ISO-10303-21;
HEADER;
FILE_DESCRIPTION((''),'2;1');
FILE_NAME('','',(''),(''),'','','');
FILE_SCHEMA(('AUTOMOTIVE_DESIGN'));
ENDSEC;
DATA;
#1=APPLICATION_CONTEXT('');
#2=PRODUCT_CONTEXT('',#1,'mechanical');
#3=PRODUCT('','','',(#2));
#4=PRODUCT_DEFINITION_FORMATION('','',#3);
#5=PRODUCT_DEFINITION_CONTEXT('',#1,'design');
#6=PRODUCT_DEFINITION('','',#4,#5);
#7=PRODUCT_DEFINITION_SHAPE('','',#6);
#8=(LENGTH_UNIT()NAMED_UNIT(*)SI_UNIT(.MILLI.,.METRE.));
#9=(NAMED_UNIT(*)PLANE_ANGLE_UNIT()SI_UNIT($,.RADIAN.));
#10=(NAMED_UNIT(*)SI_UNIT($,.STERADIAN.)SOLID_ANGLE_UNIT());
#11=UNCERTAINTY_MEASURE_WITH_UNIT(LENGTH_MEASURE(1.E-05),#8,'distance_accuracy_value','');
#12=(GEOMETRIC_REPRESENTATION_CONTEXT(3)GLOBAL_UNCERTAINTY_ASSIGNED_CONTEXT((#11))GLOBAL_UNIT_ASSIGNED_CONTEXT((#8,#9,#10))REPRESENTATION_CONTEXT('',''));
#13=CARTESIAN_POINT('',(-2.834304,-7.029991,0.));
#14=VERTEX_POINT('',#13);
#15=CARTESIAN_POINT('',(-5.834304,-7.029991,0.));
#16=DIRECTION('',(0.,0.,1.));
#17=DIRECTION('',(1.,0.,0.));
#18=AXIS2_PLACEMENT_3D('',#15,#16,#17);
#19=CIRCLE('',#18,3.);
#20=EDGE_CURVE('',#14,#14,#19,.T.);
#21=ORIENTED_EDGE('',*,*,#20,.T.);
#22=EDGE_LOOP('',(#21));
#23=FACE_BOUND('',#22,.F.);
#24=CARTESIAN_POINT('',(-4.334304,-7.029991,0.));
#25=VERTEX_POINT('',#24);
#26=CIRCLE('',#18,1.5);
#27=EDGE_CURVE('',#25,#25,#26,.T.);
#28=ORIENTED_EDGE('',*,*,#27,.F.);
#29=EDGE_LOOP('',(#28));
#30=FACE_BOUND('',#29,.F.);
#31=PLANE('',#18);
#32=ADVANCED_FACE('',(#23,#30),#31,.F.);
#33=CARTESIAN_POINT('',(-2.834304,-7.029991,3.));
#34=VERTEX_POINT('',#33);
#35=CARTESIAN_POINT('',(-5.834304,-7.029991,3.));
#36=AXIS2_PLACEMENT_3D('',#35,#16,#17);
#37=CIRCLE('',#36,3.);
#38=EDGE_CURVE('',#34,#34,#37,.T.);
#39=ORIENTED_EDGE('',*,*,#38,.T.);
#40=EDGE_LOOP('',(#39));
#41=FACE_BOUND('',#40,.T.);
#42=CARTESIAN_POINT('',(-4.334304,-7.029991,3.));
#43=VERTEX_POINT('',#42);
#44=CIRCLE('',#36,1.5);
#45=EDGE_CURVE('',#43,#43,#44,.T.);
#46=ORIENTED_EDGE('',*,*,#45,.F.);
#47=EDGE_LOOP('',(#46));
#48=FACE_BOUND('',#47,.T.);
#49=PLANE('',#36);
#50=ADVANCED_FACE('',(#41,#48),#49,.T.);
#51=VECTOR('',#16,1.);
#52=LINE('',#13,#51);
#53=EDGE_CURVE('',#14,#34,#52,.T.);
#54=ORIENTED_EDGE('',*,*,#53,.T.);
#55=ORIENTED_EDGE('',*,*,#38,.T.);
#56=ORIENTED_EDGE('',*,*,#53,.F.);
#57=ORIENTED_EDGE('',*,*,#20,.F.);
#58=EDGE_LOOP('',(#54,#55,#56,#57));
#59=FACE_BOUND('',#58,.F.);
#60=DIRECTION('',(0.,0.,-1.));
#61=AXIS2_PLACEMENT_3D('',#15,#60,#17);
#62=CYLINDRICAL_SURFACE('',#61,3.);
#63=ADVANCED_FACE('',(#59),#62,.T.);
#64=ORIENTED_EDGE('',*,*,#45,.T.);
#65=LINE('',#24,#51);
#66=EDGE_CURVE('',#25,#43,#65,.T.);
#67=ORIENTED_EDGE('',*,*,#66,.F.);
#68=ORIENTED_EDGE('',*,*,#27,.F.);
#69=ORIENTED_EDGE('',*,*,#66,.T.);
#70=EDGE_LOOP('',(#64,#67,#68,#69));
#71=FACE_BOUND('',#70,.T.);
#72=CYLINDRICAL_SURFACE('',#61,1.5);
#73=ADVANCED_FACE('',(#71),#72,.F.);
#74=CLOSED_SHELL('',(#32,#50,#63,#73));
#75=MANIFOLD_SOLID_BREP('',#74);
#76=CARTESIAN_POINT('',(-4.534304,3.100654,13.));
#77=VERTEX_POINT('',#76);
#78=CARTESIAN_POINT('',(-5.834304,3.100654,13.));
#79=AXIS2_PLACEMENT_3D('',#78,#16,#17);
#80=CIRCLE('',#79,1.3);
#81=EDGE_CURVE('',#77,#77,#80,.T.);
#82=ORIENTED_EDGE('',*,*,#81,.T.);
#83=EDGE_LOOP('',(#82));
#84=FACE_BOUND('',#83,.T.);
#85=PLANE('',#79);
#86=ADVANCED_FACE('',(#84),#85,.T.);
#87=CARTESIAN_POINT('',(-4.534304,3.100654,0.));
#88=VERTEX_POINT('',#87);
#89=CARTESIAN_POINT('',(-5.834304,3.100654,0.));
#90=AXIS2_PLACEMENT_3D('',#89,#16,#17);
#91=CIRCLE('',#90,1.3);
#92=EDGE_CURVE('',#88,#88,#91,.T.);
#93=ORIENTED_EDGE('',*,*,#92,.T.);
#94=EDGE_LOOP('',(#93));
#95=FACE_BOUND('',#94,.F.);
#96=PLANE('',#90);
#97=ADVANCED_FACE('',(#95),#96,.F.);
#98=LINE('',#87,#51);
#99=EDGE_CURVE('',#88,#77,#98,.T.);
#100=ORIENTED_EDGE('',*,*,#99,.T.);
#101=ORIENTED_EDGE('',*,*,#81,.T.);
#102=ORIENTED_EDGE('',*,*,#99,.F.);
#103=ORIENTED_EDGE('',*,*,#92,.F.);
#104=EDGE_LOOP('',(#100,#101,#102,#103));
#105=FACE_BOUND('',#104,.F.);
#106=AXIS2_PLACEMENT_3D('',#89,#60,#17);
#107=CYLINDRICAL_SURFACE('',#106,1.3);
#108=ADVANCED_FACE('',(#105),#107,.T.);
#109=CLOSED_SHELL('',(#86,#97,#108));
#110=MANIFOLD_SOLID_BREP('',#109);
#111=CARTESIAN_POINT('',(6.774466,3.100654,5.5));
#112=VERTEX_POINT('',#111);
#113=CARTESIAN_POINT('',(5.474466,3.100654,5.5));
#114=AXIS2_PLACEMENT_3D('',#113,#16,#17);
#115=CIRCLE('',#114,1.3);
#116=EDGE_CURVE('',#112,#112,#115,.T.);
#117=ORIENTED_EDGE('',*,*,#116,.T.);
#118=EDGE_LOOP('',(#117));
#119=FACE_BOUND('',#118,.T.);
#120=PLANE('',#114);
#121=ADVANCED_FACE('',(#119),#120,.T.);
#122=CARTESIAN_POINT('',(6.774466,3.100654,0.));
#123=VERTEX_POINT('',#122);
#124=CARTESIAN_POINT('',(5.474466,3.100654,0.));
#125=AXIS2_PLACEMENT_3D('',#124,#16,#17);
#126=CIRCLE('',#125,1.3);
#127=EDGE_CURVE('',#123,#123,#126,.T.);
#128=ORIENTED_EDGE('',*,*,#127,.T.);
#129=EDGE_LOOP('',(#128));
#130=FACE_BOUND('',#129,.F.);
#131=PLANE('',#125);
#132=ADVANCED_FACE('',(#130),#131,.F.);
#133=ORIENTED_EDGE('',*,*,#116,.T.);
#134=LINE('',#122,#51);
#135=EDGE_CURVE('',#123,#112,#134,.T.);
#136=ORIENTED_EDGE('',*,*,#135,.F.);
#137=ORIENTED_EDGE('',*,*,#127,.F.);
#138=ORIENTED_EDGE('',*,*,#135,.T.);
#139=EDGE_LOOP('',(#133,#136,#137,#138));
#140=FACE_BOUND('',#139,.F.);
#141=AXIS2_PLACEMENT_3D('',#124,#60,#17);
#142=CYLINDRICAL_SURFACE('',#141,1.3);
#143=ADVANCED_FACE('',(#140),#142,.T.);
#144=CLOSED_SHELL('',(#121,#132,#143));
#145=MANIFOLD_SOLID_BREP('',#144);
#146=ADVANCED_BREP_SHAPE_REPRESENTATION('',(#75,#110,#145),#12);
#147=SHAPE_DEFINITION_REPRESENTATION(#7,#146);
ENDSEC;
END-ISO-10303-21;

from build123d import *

# Parameters (mm, degrees)
F0_R     = 1.3
F1_DEPTH = 5.5
F2_DEPTH = 13
F0_R_2   = 3
F0_R_3   = 1.5
F3_DEPTH = 3


with BuildPart() as f1:
    # F0 (on Top) → F1 (new body)
    with BuildSketch(Plane.XY):
        with Locations((5.474466, 3.100654)):
            Circle(F0_R)
    extrude(amount=F1_DEPTH)


with BuildPart() as f2:
    # F0 (on Top) → F2 (new body)
    with BuildSketch(Plane.XY):
        with Locations((-5.834304, 3.100654)):
            Circle(F0_R)
    extrude(amount=F2_DEPTH)


with BuildPart() as f3:
    # F0 (on Top) → F3 (new body)
    with BuildSketch(Plane.XY):
        with Locations((-5.834304, -7.029991)):
            Circle(F0_R_2)
        with Locations((-5.834304, -7.029991)):
            Circle(F0_R_3, mode=Mode.SUBTRACT)
    extrude(amount=F3_DEPTH)


solid = Compound([f1.part, f2.part, f3.part])
